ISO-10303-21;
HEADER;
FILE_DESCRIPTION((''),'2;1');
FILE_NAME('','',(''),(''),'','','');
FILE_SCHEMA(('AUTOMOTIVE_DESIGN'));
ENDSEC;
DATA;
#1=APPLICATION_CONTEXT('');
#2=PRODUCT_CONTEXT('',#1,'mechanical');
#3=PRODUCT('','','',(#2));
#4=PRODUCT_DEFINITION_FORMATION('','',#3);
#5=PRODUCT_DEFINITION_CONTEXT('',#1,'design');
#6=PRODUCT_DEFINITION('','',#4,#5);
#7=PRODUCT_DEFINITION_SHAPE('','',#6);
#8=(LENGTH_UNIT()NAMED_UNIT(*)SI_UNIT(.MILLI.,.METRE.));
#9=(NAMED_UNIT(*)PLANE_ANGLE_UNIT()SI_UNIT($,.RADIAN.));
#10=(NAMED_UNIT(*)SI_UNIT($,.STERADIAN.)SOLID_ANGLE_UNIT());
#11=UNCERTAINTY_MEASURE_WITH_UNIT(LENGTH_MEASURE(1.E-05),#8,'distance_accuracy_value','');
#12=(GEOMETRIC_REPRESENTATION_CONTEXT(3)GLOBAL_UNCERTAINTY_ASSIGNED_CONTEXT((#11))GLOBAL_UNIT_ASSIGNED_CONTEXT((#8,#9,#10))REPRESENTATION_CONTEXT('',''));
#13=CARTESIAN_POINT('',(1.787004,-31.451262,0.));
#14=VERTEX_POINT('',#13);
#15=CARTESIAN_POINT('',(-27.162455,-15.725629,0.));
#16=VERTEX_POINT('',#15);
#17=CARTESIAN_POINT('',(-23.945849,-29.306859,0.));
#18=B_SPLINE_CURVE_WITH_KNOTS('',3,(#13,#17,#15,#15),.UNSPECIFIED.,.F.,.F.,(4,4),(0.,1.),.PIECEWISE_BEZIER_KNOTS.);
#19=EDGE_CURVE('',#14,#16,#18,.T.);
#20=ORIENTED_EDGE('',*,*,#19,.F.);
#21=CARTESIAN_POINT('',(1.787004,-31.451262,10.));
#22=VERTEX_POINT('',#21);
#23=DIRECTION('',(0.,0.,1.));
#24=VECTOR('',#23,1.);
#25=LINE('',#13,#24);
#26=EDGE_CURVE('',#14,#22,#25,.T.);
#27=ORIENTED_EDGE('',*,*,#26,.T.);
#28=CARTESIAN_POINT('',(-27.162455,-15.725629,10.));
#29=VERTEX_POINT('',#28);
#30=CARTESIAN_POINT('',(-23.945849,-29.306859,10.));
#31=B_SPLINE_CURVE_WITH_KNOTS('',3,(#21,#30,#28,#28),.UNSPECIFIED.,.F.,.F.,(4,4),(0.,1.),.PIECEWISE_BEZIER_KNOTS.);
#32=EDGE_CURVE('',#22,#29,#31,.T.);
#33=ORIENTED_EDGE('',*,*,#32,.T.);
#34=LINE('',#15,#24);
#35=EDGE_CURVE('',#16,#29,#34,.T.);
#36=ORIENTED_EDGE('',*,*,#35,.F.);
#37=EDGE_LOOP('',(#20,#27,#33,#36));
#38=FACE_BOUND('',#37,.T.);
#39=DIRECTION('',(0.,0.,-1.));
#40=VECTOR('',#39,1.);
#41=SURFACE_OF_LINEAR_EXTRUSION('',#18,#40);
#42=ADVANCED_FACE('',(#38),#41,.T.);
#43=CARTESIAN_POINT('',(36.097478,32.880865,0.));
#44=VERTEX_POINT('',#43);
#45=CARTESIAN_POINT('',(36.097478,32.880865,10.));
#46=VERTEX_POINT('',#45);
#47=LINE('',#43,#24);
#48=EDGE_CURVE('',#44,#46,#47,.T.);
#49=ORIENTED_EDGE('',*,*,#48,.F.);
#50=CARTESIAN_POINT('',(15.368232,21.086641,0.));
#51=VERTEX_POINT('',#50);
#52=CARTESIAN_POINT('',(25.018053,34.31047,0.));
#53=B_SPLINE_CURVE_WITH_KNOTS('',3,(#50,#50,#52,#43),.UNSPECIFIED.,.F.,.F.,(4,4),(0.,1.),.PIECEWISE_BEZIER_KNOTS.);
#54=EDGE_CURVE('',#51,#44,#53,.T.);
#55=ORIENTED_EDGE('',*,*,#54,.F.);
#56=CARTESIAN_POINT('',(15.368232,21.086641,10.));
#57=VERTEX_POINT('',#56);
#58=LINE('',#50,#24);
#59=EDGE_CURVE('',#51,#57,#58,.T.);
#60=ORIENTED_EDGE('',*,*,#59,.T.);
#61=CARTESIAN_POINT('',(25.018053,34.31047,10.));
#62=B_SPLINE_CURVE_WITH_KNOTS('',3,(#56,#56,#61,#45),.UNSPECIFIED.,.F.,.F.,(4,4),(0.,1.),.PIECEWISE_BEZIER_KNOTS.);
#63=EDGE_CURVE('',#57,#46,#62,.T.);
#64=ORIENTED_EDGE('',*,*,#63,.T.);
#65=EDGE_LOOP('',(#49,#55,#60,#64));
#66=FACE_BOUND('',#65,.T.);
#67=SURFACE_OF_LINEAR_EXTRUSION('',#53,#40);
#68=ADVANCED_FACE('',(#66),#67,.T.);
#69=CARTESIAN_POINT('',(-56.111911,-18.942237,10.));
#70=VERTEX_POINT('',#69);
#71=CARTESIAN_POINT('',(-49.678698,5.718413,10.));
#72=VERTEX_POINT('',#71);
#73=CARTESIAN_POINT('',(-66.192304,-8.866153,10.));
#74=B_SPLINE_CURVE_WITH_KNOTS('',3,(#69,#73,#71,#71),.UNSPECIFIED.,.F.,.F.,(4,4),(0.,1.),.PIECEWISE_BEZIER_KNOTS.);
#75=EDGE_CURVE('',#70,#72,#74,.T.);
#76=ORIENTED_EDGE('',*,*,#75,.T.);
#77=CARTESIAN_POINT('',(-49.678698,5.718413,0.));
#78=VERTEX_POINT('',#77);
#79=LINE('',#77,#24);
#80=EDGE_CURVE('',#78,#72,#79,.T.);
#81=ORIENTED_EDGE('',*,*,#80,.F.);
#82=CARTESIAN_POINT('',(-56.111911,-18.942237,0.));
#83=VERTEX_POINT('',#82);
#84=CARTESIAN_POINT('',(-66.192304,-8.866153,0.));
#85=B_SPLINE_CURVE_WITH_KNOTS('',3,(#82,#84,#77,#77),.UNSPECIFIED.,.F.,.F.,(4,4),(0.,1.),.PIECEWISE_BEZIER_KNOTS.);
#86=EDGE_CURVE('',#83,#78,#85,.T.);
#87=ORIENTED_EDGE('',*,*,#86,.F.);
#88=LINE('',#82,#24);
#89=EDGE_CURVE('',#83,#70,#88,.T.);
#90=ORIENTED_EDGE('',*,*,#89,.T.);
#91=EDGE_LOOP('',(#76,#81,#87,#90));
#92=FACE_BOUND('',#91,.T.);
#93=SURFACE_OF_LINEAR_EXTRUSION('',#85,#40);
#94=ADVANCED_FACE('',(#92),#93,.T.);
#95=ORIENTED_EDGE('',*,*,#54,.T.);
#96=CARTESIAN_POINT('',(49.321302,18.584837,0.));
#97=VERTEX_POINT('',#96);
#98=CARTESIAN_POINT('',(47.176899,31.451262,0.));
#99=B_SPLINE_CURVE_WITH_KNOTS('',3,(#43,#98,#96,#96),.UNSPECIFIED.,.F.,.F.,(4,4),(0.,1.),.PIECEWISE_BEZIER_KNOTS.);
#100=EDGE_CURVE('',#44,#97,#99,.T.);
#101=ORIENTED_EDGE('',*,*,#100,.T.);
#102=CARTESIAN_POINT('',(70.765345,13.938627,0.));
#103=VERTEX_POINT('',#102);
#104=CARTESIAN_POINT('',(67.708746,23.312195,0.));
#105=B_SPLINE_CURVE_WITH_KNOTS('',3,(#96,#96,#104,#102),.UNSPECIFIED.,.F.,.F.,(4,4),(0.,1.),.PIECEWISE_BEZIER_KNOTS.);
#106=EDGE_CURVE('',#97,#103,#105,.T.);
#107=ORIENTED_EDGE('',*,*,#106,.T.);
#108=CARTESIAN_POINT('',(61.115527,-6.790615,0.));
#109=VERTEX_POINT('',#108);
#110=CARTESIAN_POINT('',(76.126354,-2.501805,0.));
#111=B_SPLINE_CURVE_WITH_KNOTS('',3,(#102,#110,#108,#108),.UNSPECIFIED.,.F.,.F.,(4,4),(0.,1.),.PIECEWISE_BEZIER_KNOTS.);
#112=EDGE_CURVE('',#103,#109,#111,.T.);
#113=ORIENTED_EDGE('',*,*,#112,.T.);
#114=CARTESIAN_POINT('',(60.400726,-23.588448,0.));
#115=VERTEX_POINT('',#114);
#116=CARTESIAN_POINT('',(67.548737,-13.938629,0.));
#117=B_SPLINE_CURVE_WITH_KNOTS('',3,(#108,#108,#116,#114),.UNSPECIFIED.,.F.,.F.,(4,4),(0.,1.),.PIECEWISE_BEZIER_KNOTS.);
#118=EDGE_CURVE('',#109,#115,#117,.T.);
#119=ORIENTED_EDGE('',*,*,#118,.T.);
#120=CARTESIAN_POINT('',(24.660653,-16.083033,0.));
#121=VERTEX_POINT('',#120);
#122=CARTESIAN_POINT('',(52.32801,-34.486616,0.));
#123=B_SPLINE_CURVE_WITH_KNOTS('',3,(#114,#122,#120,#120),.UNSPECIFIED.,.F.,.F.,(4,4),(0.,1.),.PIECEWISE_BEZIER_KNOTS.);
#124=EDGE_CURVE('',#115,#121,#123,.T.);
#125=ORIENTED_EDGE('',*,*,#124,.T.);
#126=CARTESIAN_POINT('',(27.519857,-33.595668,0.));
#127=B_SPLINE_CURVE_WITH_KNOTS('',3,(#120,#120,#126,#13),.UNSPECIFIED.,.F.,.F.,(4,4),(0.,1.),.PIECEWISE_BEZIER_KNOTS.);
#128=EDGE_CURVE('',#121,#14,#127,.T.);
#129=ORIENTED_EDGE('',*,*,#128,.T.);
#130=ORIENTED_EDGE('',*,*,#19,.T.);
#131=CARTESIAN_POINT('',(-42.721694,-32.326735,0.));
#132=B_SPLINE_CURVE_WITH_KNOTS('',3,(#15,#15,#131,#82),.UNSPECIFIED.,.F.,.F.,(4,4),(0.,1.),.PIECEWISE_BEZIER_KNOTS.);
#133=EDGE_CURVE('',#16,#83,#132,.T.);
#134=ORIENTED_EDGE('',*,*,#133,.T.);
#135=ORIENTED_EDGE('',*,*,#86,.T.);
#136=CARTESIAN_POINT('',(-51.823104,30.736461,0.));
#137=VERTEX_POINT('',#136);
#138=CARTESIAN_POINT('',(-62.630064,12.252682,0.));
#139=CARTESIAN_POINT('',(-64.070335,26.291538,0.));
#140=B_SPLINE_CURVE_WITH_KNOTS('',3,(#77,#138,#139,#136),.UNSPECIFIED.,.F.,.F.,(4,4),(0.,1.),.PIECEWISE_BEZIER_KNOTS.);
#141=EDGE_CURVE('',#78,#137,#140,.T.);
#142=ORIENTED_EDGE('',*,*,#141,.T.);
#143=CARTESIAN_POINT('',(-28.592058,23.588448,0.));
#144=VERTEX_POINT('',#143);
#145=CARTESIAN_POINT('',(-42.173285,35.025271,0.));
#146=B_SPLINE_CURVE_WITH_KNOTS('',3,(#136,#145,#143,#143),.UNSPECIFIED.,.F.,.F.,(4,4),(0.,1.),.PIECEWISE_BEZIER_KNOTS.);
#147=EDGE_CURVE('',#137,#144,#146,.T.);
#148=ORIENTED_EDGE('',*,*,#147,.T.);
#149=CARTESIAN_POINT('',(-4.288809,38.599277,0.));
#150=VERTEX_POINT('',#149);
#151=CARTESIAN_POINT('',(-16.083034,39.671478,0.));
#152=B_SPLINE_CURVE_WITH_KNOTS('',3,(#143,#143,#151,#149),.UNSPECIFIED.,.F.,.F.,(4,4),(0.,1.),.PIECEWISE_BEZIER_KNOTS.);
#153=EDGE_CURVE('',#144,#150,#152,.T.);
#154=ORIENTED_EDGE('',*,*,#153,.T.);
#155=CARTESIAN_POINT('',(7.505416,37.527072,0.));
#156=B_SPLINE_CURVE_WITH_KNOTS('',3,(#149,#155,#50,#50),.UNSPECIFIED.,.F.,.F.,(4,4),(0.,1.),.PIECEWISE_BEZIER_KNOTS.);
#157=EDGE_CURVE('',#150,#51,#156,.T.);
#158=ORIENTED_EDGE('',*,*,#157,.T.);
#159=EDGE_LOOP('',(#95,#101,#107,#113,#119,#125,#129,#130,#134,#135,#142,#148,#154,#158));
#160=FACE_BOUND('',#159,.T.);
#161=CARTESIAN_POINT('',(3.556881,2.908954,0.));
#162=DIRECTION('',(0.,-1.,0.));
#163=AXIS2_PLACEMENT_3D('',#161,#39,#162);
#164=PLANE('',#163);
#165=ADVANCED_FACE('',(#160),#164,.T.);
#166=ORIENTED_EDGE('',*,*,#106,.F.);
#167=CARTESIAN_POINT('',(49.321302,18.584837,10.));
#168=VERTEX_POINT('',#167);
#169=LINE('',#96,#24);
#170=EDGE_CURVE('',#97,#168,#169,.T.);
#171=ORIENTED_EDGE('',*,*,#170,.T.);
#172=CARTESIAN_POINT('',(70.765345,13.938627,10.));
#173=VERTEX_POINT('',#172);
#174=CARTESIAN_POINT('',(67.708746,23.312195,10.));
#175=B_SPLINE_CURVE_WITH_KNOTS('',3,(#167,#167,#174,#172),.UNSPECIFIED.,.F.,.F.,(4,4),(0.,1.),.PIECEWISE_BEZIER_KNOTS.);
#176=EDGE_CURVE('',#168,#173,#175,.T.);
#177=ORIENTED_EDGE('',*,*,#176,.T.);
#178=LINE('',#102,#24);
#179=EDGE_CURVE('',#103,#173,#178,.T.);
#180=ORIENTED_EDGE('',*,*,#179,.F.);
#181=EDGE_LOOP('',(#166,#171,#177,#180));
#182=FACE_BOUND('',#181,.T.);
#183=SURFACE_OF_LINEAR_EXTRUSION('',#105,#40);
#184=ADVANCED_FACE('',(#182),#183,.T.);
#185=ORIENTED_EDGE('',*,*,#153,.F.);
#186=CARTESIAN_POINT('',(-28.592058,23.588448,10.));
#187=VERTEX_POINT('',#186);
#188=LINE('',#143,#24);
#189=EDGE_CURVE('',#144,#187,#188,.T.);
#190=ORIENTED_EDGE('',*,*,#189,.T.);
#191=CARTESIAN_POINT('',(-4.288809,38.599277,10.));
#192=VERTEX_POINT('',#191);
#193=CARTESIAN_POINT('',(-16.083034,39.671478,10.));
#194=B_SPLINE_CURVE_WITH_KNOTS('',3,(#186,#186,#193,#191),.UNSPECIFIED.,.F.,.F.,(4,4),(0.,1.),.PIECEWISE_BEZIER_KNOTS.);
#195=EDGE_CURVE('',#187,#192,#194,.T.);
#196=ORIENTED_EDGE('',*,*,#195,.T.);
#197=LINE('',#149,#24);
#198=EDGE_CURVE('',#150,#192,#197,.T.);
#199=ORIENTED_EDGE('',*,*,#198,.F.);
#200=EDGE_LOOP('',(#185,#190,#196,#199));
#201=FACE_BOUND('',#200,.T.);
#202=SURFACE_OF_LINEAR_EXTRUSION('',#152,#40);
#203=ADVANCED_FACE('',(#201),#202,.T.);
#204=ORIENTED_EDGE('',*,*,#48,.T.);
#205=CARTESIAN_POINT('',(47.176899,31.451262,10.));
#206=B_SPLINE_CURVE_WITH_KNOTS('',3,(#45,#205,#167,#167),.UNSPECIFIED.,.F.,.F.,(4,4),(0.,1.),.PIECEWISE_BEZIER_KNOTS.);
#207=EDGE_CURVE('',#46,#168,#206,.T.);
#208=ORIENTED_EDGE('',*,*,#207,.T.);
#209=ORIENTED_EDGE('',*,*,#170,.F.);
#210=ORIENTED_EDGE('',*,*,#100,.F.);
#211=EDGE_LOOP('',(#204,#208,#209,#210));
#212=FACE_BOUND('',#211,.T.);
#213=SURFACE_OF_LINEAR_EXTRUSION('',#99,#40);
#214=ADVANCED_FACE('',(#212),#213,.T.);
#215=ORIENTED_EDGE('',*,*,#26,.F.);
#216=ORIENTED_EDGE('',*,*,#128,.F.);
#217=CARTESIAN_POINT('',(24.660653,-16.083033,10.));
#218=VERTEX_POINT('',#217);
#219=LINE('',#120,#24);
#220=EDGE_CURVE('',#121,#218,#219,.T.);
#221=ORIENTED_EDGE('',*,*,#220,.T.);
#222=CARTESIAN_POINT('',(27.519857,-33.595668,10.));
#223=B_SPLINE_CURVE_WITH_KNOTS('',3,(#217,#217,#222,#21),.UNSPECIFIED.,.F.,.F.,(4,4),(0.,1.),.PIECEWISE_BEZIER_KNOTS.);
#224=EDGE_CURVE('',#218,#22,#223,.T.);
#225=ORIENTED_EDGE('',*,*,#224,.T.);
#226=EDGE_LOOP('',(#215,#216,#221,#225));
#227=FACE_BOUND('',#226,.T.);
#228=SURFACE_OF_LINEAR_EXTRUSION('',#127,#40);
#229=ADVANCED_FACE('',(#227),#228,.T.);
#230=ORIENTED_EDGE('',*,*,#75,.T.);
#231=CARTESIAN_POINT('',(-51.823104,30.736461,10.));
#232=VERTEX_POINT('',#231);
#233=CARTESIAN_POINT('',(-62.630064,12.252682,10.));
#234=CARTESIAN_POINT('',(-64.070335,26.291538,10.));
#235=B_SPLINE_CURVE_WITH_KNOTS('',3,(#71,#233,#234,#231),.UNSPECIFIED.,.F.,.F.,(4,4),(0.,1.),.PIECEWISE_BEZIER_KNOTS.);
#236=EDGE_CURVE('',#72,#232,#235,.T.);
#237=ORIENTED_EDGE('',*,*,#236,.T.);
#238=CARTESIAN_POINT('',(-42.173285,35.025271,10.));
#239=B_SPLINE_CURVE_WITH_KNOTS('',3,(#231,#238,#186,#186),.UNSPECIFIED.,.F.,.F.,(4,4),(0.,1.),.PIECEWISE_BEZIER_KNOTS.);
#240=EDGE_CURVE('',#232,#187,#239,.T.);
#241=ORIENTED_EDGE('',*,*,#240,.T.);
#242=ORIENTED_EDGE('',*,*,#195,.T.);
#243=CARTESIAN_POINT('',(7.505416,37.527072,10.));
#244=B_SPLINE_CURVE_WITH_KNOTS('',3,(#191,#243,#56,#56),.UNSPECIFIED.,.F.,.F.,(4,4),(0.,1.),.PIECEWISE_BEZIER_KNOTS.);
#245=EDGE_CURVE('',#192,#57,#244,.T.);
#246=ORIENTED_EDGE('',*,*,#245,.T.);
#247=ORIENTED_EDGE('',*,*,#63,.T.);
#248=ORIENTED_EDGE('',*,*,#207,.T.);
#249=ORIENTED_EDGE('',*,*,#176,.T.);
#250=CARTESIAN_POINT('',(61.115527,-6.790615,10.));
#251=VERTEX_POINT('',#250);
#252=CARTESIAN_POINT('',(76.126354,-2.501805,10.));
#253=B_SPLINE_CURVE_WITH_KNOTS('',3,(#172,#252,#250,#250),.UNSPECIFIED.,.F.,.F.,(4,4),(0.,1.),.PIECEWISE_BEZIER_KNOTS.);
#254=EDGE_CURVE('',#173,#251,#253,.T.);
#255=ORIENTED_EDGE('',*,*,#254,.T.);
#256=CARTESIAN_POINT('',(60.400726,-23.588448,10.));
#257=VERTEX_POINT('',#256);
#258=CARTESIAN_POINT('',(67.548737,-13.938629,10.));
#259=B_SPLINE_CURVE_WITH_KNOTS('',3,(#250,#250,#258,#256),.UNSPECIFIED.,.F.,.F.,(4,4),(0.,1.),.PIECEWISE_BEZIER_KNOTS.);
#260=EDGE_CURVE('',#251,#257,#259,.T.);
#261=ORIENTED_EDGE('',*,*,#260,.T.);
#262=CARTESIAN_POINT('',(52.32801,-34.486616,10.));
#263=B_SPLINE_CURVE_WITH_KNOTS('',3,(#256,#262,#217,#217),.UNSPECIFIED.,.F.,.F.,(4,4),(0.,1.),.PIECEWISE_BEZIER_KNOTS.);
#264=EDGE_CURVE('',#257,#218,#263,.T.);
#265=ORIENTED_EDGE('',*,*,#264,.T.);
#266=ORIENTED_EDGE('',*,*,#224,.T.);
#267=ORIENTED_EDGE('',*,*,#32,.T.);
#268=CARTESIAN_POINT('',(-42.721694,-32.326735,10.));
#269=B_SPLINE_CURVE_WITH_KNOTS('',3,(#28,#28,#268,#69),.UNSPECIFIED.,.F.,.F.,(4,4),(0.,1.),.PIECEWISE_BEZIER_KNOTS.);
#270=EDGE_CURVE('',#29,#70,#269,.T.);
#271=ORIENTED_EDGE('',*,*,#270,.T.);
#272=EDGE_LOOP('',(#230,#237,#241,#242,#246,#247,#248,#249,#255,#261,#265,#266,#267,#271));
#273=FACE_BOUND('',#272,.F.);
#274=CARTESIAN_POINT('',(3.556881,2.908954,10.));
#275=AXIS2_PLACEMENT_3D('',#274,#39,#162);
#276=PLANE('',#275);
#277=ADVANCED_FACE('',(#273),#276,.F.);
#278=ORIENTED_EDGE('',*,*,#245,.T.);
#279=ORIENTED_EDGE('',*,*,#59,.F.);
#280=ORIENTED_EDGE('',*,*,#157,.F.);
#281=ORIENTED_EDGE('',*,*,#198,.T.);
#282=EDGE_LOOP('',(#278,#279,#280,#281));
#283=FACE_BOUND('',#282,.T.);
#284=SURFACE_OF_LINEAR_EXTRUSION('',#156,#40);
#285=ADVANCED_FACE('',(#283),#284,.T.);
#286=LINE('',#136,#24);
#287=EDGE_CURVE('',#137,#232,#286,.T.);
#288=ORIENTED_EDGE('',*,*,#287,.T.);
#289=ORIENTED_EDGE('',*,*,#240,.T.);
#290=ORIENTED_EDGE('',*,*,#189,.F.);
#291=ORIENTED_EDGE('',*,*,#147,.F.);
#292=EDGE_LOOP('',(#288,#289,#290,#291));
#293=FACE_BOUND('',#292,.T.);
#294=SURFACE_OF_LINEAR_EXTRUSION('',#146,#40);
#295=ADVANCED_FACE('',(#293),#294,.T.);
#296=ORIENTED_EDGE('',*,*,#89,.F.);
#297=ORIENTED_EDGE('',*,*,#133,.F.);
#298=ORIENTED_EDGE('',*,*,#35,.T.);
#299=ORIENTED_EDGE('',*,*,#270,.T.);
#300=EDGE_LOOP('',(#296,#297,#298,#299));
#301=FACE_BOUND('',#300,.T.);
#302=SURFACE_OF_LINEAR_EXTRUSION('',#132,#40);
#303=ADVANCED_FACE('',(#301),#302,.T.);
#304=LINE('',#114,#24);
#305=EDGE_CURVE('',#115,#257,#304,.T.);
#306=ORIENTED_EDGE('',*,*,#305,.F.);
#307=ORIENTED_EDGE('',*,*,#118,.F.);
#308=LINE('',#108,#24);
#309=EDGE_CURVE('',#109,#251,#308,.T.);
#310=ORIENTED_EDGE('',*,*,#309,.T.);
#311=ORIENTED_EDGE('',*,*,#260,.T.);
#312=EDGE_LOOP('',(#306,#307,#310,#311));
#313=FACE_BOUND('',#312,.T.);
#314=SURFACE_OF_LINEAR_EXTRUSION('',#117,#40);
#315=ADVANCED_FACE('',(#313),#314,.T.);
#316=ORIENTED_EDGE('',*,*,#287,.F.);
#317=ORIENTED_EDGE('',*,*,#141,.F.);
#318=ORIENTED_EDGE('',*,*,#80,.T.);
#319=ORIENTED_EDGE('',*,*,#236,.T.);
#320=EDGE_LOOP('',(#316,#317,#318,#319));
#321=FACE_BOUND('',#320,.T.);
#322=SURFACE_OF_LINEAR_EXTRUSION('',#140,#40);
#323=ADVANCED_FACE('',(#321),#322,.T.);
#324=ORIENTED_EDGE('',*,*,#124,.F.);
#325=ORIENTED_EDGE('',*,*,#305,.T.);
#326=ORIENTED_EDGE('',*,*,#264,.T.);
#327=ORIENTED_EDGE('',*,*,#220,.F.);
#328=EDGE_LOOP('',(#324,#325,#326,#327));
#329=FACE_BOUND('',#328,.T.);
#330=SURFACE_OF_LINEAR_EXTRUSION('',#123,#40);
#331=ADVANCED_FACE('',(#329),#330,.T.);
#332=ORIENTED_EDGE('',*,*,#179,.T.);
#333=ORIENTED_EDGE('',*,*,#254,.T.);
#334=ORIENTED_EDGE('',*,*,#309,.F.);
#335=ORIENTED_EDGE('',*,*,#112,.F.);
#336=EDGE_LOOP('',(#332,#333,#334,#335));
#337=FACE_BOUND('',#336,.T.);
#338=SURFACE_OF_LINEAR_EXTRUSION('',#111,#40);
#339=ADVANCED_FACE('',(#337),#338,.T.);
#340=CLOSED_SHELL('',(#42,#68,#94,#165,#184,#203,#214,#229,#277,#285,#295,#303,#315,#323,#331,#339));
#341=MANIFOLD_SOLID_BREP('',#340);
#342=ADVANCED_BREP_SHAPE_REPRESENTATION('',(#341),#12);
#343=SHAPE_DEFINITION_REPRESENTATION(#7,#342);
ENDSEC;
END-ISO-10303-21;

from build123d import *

# Parameters (mm, degrees)
EXTRUDE_DEPTH = 10


with BuildPart() as part:
    # path3336 → Extrude (new body)
    with BuildSketch(Plane(origin=(6.052701, 3.037905, 0), x_dir=(0, -1, 0), z_dir=(0, 0, -1))):
        with BuildLine():
            add(Edge.make_bspline(
                [(-27.698556, 57.875805), (-31.987366, 48.225986), (-20.550543, 34.644759), (-20.550543, 34.644759)],
                knots=[0, 0, 0, 0, 1, 1, 1, 1], degree=3))
            add(Edge.make_bspline(
                [(-20.550543, 34.644759), (-20.550543, 34.644759), (-36.633573, 22.135735), (-35.561372, 10.34151)],
                knots=[0, 0, 0, 0, 1, 1, 1, 1], degree=3))
            add(Edge.make_bspline(
                [(-35.561372, 10.34151), (-34.489167, -1.452715), (-18.048736, -9.315531), (-18.048736, -9.315531)],
                knots=[0, 0, 0, 0, 1, 1, 1, 1], degree=3))
            add(Edge.make_bspline(
                [(-18.048736, -9.315531), (-18.048736, -9.315531), (-31.272565, -18.965352), (-29.84296, -30.044777)],
                knots=[0, 0, 0, 0, 1, 1, 1, 1], degree=3))
            add(Edge.make_bspline(
                [(-29.84296, -30.044777), (-28.413357, -41.124198), (-15.546932, -43.268601), (-15.546932, -43.268601)],
                knots=[0, 0, 0, 0, 1, 1, 1, 1], degree=3))
            add(Edge.make_bspline(
                [(-15.546932, -43.268601), (-15.546932, -43.268601), (-20.27429, -61.656045), (-10.900722, -64.712644)],
                knots=[0, 0, 0, 0, 1, 1, 1, 1], degree=3))
            add(Edge.make_bspline(
                [(-10.900722, -64.712644), (5.53971, -70.073653), (9.82852, -55.062826), (9.82852, -55.062826)],
                knots=[0, 0, 0, 0, 1, 1, 1, 1], degree=3))
            add(Edge.make_bspline(
                [(9.82852, -55.062826), (9.82852, -55.062826), (16.976534, -61.496036), (26.626353, -54.348025)],
                knots=[0, 0, 0, 0, 1, 1, 1, 1], degree=3))
            add(Edge.make_bspline(
                [(26.626353, -54.348025), (37.524521, -46.275309), (19.120938, -18.607952), (19.120938, -18.607952)],
                knots=[0, 0, 0, 0, 1, 1, 1, 1], degree=3))
            add(Edge.make_bspline(
                [(19.120938, -18.607952), (19.120938, -18.607952), (36.633573, -21.467156), (34.489167, 4.265697)],
                knots=[0, 0, 0, 0, 1, 1, 1, 1], degree=3))
            add(Edge.make_bspline(
                [(34.489167, 4.265697), (32.344764, 29.99855), (18.763534, 33.215156), (18.763534, 33.215156)],
                knots=[0, 0, 0, 0, 1, 1, 1, 1], degree=3))
            add(Edge.make_bspline(
                [(18.763534, 33.215156), (18.763534, 33.215156), (35.36464, 48.774395), (21.980142, 62.164612)],
                knots=[0, 0, 0, 0, 1, 1, 1, 1], degree=3))
            add(Edge.make_bspline(
                [(21.980142, 62.164612), (11.904058, 72.245005), (-2.680508, 55.731399), (-2.680508, 55.731399)],
                knots=[0, 0, 0, 0, 1, 1, 1, 1], degree=3))
            add(Edge.make_bspline(
                [(-2.680508, 55.731399), (-9.214777, 68.682765), (-23.253633, 70.123036), (-27.698556, 57.875805)],
                knots=[0, 0, 0, 0, 1, 1, 1, 1], degree=3))
        make_face()
    extrude(amount=-EXTRUDE_DEPTH)


solid = part.part
